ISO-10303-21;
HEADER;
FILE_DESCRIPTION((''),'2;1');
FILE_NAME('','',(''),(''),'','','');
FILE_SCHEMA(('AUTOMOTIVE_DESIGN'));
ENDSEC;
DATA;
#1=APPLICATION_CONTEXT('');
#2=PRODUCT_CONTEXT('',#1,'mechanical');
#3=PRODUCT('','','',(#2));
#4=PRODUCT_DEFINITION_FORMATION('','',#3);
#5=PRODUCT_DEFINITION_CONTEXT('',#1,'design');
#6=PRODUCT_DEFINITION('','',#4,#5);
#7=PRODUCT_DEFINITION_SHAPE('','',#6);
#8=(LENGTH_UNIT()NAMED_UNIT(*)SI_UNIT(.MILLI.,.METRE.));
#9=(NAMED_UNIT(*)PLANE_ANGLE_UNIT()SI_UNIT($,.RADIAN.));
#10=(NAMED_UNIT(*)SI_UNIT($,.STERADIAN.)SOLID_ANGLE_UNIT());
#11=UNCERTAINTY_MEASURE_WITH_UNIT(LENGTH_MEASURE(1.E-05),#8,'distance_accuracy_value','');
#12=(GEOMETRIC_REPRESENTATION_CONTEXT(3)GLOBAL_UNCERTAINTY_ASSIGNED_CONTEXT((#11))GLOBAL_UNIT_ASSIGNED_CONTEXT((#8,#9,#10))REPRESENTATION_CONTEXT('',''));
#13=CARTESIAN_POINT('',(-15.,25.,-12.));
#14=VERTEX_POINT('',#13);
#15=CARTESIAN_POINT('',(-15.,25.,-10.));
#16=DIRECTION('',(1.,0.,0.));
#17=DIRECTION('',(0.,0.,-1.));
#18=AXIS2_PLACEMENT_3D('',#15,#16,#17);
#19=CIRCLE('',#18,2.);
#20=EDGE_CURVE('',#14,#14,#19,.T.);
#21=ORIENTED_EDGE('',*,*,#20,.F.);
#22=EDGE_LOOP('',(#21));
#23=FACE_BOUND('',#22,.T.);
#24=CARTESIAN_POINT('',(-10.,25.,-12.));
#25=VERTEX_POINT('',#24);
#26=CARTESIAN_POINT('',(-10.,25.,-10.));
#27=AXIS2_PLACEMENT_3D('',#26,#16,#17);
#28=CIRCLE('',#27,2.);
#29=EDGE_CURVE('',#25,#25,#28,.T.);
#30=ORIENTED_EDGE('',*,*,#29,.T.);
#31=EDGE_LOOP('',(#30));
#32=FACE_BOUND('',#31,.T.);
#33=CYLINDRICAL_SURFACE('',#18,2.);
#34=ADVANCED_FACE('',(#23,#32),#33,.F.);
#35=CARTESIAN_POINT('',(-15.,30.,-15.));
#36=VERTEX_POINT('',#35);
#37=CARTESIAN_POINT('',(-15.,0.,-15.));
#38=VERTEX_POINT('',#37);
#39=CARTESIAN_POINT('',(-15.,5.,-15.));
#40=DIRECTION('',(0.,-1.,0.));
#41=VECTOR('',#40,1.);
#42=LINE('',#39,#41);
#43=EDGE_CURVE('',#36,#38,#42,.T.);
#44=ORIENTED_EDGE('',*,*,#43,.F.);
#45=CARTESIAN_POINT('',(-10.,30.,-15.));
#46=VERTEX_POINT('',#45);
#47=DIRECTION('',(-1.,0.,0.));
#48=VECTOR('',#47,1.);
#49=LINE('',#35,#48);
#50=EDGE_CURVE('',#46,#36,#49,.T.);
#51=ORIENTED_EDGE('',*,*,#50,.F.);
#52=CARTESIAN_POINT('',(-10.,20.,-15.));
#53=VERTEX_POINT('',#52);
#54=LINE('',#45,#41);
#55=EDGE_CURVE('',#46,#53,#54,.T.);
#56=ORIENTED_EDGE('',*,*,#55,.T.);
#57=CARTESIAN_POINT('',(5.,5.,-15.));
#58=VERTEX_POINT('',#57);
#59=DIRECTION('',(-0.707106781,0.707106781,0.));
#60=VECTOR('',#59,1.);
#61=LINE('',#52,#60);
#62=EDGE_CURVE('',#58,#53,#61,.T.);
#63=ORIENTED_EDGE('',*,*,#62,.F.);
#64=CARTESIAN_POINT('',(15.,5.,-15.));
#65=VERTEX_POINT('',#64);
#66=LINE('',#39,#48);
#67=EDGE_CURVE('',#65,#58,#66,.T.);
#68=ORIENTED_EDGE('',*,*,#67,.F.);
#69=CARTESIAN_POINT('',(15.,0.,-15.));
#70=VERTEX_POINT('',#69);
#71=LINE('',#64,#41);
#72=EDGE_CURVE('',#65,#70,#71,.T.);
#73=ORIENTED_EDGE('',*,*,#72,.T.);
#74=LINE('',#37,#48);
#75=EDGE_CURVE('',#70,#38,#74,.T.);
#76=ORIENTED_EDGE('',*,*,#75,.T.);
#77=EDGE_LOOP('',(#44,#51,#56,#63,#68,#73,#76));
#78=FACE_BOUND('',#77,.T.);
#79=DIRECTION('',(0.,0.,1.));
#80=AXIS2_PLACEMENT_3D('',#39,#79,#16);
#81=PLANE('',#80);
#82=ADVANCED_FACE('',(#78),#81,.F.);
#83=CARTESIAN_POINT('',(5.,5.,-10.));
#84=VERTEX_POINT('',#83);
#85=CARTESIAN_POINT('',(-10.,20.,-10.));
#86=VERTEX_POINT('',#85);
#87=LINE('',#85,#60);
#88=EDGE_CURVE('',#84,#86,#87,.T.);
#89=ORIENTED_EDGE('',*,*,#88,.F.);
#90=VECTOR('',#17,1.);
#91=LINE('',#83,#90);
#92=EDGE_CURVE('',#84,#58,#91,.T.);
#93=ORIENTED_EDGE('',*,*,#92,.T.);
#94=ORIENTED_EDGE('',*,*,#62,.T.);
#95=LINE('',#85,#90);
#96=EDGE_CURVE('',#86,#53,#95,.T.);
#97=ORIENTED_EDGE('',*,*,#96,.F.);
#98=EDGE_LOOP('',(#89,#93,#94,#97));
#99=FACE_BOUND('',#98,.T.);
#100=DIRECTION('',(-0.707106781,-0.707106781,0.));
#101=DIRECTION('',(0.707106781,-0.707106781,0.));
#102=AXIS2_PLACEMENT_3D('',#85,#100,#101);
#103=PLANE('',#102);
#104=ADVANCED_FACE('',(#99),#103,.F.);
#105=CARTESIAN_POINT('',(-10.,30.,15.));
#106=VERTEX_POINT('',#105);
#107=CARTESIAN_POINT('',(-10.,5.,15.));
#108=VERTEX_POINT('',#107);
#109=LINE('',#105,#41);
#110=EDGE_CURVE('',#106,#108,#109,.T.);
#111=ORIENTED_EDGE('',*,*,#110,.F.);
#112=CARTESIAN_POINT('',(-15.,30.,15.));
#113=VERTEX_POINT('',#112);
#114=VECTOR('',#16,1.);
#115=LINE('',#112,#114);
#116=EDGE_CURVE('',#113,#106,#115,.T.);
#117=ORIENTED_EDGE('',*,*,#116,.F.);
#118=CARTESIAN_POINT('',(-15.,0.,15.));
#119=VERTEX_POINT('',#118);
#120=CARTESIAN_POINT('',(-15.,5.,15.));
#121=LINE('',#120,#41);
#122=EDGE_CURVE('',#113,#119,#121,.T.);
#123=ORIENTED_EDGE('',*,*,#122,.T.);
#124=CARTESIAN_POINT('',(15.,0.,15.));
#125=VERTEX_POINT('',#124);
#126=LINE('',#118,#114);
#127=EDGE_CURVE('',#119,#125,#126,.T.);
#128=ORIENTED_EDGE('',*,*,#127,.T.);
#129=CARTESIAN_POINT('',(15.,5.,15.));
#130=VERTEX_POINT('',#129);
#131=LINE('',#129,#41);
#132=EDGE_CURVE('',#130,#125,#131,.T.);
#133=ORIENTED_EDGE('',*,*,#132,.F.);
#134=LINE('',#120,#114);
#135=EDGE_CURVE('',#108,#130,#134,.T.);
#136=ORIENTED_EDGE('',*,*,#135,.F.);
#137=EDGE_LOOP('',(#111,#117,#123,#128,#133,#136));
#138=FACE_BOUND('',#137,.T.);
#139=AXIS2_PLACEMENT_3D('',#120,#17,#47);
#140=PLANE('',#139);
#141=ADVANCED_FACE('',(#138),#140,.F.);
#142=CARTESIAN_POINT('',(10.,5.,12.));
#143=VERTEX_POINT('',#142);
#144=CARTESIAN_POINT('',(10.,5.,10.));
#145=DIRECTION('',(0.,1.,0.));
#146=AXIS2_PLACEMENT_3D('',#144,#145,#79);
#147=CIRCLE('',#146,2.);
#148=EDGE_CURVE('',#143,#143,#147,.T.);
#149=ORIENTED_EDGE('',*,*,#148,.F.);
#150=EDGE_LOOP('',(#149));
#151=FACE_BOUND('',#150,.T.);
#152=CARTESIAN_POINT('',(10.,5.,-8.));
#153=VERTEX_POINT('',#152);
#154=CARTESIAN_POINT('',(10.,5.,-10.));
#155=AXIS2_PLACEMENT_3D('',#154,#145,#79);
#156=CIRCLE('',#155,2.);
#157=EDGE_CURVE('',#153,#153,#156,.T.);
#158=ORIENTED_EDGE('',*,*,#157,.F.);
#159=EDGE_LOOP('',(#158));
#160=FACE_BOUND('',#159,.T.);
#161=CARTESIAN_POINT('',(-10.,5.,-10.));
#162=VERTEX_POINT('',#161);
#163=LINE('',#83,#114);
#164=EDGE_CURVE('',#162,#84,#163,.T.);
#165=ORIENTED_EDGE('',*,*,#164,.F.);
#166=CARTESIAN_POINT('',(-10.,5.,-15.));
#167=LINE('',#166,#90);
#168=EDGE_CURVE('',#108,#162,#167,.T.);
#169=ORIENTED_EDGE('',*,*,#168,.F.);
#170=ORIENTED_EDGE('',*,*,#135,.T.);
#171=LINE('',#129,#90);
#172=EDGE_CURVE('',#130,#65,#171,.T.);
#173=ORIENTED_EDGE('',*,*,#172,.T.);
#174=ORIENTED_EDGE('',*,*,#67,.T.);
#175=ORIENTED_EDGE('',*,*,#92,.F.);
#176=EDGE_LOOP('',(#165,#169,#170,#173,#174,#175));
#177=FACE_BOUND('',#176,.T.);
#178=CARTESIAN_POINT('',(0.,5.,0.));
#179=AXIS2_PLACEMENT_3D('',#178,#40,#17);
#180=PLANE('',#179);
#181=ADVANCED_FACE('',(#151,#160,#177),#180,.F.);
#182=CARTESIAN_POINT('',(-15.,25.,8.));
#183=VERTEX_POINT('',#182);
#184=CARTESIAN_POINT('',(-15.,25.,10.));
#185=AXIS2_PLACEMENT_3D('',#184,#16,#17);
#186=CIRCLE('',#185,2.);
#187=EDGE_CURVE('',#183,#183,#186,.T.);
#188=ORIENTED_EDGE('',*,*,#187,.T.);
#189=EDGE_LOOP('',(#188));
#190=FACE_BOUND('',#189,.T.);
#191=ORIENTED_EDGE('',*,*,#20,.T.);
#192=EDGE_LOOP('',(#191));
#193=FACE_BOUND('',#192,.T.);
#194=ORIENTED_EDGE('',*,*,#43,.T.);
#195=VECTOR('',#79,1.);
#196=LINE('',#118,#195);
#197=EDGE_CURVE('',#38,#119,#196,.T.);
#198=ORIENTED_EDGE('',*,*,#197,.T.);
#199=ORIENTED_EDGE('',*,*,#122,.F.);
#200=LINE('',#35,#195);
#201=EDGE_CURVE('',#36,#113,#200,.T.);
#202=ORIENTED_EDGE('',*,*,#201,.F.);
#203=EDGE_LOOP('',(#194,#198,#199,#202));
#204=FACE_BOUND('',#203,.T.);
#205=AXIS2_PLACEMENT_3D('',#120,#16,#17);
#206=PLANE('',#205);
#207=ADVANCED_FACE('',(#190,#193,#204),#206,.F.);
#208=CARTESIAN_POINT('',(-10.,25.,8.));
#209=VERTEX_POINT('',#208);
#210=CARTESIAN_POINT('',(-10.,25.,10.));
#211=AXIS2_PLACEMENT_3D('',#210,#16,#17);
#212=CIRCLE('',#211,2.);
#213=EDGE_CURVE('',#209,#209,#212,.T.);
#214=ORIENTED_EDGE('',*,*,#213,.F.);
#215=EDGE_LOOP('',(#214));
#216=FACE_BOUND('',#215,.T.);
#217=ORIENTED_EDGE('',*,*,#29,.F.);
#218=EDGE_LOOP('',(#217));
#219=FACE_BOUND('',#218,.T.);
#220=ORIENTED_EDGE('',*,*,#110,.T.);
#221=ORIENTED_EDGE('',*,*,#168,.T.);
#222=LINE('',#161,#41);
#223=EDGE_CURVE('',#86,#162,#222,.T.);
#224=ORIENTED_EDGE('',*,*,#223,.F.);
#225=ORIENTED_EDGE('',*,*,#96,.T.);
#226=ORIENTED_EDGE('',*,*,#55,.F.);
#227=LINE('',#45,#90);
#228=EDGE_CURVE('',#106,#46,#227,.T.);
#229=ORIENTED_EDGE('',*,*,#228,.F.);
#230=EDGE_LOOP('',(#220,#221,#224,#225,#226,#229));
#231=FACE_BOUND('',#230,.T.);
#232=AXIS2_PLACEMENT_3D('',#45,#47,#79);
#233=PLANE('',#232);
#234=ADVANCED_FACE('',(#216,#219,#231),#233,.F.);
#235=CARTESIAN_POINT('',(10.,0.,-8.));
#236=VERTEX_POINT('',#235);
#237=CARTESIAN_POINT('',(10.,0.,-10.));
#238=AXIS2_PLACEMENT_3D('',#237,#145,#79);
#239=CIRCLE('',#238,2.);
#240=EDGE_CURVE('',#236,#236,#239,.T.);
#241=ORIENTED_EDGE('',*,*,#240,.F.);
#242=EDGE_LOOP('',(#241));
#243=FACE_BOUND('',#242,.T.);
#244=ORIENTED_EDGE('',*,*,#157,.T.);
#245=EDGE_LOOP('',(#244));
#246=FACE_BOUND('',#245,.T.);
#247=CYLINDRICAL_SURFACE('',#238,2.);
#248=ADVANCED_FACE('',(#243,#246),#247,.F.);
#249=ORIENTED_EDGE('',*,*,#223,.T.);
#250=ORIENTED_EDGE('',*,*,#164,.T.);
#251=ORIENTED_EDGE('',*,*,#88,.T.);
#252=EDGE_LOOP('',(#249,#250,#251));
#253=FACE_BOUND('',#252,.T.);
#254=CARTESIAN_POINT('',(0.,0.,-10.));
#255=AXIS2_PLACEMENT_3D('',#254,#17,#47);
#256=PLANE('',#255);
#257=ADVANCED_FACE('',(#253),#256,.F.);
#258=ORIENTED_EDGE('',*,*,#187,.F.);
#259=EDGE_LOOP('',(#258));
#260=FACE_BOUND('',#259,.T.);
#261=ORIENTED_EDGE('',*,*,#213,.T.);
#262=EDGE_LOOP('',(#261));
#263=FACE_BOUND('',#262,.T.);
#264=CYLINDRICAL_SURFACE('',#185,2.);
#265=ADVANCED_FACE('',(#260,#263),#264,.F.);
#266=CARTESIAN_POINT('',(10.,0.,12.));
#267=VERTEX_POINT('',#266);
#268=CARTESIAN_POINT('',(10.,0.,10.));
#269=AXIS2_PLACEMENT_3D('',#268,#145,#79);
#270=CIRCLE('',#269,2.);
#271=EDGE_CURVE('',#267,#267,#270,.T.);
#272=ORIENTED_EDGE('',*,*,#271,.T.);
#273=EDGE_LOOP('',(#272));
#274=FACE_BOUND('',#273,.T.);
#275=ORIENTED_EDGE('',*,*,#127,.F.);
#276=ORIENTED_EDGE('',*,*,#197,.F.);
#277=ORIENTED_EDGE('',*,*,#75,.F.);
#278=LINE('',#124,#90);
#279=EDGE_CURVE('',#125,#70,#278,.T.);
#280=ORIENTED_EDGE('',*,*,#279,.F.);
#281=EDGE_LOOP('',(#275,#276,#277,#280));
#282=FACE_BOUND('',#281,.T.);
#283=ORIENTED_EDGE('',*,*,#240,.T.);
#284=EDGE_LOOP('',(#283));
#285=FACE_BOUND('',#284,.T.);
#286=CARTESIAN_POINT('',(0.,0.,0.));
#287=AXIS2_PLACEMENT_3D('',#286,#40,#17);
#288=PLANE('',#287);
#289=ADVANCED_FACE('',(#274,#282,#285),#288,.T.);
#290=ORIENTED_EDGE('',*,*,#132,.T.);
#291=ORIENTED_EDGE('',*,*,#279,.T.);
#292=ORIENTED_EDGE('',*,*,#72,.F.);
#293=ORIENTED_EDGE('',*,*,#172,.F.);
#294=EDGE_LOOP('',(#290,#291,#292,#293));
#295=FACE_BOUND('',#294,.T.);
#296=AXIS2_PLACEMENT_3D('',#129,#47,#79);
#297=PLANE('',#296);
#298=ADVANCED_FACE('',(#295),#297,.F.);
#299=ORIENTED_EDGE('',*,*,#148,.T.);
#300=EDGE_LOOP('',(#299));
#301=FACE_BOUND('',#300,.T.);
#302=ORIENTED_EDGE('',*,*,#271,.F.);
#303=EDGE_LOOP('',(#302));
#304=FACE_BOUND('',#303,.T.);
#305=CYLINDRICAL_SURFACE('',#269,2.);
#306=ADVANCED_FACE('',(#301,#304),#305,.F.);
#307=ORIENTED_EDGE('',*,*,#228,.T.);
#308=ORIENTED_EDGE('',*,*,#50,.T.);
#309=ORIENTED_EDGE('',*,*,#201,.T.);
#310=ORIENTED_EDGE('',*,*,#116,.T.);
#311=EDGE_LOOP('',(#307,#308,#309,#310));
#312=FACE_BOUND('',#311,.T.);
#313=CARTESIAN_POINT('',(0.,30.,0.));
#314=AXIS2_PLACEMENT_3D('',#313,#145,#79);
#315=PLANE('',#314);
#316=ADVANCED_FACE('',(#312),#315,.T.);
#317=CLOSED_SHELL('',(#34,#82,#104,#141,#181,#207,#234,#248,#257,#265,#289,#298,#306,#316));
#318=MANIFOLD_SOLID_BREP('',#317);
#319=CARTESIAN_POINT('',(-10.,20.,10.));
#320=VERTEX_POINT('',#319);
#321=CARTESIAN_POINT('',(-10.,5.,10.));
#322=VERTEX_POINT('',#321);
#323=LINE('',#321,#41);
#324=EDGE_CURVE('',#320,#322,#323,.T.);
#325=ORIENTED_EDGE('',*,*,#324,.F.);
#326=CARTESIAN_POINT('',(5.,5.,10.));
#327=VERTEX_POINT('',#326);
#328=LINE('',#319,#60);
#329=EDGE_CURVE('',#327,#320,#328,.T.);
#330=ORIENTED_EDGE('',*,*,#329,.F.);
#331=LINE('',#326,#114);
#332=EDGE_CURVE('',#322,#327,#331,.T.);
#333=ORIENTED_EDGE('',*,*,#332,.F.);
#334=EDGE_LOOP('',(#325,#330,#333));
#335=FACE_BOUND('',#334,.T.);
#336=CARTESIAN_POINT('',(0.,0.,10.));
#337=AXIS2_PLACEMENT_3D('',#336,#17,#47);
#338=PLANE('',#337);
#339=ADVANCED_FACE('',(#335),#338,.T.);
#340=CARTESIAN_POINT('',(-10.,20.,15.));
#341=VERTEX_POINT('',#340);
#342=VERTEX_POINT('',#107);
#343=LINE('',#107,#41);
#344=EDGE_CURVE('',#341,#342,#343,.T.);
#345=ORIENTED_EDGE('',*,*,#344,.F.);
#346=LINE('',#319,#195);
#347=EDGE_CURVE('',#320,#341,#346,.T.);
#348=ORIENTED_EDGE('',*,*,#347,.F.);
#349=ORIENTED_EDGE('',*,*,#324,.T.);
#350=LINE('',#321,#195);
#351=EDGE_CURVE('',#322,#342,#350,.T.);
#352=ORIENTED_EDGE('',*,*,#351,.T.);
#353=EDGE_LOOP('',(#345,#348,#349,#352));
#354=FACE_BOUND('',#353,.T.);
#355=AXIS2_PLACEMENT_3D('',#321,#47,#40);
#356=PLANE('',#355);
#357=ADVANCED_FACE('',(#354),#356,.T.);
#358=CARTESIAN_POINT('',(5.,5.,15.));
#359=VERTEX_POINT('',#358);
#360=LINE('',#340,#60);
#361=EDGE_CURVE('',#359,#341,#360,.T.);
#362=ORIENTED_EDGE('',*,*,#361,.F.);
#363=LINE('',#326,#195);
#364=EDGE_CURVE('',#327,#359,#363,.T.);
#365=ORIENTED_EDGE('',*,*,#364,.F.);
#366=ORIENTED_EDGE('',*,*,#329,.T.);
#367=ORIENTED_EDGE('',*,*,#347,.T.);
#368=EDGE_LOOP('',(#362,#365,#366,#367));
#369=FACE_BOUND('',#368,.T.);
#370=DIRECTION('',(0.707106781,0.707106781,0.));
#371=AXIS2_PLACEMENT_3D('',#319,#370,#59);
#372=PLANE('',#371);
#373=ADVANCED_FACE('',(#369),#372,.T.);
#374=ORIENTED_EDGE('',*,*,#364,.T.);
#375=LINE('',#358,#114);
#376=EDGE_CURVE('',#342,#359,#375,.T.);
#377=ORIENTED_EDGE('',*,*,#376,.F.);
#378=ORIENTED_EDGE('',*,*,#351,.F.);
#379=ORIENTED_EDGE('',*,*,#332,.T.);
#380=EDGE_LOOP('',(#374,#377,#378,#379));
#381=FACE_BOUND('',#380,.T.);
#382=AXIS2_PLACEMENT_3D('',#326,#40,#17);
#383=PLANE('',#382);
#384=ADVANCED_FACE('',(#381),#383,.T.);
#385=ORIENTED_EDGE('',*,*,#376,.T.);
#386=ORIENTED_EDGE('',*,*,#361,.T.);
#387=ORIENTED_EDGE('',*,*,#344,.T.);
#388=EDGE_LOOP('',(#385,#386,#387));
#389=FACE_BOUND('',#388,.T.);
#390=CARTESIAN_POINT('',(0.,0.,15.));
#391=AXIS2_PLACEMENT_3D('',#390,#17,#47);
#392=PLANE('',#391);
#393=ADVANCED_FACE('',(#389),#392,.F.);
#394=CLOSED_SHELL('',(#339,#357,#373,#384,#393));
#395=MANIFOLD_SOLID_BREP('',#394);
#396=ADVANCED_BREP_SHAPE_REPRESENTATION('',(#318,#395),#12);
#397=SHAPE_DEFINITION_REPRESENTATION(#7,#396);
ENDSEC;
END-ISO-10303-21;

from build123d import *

# Parameters (mm, degrees)
SKETCH1_W           = 30
SKETCH1_H           = 30
BOSS_EXTRUDE1_DEPTH = 5
SKETCH2_W           = 5
SKETCH2_H           = 30
BOSS_EXTRUDE2_DEPTH = 25
BOSS_EXTRUDE3_DEPTH = 5
BOSS_EXTRUDE4_DEPTH = 5
SKETCH10_R          = 2
CUT_EXTRUDE1_DEPTH  = 5
SKETCH11_R          = 2
CUT_EXTRUDE2_DEPTH  = 5


with BuildPart() as part:
    # Sketch1 → Boss-Extrude1 (new body)
    with BuildSketch(Plane(origin=(0, 0, 0), x_dir=(1, 0, 0), z_dir=(0, 1, 0))):
        Rectangle(SKETCH1_W, SKETCH1_H)
    extrude(amount=BOSS_EXTRUDE1_DEPTH)

    # Sketch2 → Boss-Extrude2 (add)
    with BuildSketch(Plane(origin=(0, 5, 0), x_dir=(1, 0, 0), z_dir=(0, 1, 0))):
        with Locations((-12.5, 0)):
            Rectangle(SKETCH2_W, SKETCH2_H)
    extrude(amount=BOSS_EXTRUDE2_DEPTH)

    # Sketch5 → Boss-Extrude4 (add)
    with BuildSketch(Plane.XY.offset(-15)):
        Polygon((-10, 5), (-10, 20), (5, 5), align=None)
    extrude(amount=BOSS_EXTRUDE4_DEPTH)

    # Sketch10 → Cut-Extrude1 (cut)
    with BuildSketch(Plane(origin=(-10, 0, 0), x_dir=(0, 0, -1), z_dir=(1, 0, 0))):
        with Locations((-10, 25)):
            Circle(SKETCH10_R)
        with Locations((10, 25)):
            Circle(SKETCH10_R)
    extrude(amount=-CUT_EXTRUDE1_DEPTH, mode=Mode.SUBTRACT)

    # Sketch11 → Cut-Extrude2 (cut)
    with BuildSketch(Plane(origin=(0, 5, 0), x_dir=(1, 0, 0), z_dir=(0, 1, 0))):
        with Locations((10, 10)):
            Circle(SKETCH11_R)
        with Locations((10, -10)):
            Circle(SKETCH11_R)
    extrude(amount=-CUT_EXTRUDE2_DEPTH, mode=Mode.SUBTRACT)


with BuildPart() as body_2:
    # Sketch3 → Boss-Extrude3 (new body)
    with BuildSketch(Plane.XY.offset(15)):
        Polygon((-10, 5), (-10, 20), (5, 5), align=None)
    extrude(amount=-BOSS_EXTRUDE3_DEPTH)


solid = Compound([part.part, body_2.part])
